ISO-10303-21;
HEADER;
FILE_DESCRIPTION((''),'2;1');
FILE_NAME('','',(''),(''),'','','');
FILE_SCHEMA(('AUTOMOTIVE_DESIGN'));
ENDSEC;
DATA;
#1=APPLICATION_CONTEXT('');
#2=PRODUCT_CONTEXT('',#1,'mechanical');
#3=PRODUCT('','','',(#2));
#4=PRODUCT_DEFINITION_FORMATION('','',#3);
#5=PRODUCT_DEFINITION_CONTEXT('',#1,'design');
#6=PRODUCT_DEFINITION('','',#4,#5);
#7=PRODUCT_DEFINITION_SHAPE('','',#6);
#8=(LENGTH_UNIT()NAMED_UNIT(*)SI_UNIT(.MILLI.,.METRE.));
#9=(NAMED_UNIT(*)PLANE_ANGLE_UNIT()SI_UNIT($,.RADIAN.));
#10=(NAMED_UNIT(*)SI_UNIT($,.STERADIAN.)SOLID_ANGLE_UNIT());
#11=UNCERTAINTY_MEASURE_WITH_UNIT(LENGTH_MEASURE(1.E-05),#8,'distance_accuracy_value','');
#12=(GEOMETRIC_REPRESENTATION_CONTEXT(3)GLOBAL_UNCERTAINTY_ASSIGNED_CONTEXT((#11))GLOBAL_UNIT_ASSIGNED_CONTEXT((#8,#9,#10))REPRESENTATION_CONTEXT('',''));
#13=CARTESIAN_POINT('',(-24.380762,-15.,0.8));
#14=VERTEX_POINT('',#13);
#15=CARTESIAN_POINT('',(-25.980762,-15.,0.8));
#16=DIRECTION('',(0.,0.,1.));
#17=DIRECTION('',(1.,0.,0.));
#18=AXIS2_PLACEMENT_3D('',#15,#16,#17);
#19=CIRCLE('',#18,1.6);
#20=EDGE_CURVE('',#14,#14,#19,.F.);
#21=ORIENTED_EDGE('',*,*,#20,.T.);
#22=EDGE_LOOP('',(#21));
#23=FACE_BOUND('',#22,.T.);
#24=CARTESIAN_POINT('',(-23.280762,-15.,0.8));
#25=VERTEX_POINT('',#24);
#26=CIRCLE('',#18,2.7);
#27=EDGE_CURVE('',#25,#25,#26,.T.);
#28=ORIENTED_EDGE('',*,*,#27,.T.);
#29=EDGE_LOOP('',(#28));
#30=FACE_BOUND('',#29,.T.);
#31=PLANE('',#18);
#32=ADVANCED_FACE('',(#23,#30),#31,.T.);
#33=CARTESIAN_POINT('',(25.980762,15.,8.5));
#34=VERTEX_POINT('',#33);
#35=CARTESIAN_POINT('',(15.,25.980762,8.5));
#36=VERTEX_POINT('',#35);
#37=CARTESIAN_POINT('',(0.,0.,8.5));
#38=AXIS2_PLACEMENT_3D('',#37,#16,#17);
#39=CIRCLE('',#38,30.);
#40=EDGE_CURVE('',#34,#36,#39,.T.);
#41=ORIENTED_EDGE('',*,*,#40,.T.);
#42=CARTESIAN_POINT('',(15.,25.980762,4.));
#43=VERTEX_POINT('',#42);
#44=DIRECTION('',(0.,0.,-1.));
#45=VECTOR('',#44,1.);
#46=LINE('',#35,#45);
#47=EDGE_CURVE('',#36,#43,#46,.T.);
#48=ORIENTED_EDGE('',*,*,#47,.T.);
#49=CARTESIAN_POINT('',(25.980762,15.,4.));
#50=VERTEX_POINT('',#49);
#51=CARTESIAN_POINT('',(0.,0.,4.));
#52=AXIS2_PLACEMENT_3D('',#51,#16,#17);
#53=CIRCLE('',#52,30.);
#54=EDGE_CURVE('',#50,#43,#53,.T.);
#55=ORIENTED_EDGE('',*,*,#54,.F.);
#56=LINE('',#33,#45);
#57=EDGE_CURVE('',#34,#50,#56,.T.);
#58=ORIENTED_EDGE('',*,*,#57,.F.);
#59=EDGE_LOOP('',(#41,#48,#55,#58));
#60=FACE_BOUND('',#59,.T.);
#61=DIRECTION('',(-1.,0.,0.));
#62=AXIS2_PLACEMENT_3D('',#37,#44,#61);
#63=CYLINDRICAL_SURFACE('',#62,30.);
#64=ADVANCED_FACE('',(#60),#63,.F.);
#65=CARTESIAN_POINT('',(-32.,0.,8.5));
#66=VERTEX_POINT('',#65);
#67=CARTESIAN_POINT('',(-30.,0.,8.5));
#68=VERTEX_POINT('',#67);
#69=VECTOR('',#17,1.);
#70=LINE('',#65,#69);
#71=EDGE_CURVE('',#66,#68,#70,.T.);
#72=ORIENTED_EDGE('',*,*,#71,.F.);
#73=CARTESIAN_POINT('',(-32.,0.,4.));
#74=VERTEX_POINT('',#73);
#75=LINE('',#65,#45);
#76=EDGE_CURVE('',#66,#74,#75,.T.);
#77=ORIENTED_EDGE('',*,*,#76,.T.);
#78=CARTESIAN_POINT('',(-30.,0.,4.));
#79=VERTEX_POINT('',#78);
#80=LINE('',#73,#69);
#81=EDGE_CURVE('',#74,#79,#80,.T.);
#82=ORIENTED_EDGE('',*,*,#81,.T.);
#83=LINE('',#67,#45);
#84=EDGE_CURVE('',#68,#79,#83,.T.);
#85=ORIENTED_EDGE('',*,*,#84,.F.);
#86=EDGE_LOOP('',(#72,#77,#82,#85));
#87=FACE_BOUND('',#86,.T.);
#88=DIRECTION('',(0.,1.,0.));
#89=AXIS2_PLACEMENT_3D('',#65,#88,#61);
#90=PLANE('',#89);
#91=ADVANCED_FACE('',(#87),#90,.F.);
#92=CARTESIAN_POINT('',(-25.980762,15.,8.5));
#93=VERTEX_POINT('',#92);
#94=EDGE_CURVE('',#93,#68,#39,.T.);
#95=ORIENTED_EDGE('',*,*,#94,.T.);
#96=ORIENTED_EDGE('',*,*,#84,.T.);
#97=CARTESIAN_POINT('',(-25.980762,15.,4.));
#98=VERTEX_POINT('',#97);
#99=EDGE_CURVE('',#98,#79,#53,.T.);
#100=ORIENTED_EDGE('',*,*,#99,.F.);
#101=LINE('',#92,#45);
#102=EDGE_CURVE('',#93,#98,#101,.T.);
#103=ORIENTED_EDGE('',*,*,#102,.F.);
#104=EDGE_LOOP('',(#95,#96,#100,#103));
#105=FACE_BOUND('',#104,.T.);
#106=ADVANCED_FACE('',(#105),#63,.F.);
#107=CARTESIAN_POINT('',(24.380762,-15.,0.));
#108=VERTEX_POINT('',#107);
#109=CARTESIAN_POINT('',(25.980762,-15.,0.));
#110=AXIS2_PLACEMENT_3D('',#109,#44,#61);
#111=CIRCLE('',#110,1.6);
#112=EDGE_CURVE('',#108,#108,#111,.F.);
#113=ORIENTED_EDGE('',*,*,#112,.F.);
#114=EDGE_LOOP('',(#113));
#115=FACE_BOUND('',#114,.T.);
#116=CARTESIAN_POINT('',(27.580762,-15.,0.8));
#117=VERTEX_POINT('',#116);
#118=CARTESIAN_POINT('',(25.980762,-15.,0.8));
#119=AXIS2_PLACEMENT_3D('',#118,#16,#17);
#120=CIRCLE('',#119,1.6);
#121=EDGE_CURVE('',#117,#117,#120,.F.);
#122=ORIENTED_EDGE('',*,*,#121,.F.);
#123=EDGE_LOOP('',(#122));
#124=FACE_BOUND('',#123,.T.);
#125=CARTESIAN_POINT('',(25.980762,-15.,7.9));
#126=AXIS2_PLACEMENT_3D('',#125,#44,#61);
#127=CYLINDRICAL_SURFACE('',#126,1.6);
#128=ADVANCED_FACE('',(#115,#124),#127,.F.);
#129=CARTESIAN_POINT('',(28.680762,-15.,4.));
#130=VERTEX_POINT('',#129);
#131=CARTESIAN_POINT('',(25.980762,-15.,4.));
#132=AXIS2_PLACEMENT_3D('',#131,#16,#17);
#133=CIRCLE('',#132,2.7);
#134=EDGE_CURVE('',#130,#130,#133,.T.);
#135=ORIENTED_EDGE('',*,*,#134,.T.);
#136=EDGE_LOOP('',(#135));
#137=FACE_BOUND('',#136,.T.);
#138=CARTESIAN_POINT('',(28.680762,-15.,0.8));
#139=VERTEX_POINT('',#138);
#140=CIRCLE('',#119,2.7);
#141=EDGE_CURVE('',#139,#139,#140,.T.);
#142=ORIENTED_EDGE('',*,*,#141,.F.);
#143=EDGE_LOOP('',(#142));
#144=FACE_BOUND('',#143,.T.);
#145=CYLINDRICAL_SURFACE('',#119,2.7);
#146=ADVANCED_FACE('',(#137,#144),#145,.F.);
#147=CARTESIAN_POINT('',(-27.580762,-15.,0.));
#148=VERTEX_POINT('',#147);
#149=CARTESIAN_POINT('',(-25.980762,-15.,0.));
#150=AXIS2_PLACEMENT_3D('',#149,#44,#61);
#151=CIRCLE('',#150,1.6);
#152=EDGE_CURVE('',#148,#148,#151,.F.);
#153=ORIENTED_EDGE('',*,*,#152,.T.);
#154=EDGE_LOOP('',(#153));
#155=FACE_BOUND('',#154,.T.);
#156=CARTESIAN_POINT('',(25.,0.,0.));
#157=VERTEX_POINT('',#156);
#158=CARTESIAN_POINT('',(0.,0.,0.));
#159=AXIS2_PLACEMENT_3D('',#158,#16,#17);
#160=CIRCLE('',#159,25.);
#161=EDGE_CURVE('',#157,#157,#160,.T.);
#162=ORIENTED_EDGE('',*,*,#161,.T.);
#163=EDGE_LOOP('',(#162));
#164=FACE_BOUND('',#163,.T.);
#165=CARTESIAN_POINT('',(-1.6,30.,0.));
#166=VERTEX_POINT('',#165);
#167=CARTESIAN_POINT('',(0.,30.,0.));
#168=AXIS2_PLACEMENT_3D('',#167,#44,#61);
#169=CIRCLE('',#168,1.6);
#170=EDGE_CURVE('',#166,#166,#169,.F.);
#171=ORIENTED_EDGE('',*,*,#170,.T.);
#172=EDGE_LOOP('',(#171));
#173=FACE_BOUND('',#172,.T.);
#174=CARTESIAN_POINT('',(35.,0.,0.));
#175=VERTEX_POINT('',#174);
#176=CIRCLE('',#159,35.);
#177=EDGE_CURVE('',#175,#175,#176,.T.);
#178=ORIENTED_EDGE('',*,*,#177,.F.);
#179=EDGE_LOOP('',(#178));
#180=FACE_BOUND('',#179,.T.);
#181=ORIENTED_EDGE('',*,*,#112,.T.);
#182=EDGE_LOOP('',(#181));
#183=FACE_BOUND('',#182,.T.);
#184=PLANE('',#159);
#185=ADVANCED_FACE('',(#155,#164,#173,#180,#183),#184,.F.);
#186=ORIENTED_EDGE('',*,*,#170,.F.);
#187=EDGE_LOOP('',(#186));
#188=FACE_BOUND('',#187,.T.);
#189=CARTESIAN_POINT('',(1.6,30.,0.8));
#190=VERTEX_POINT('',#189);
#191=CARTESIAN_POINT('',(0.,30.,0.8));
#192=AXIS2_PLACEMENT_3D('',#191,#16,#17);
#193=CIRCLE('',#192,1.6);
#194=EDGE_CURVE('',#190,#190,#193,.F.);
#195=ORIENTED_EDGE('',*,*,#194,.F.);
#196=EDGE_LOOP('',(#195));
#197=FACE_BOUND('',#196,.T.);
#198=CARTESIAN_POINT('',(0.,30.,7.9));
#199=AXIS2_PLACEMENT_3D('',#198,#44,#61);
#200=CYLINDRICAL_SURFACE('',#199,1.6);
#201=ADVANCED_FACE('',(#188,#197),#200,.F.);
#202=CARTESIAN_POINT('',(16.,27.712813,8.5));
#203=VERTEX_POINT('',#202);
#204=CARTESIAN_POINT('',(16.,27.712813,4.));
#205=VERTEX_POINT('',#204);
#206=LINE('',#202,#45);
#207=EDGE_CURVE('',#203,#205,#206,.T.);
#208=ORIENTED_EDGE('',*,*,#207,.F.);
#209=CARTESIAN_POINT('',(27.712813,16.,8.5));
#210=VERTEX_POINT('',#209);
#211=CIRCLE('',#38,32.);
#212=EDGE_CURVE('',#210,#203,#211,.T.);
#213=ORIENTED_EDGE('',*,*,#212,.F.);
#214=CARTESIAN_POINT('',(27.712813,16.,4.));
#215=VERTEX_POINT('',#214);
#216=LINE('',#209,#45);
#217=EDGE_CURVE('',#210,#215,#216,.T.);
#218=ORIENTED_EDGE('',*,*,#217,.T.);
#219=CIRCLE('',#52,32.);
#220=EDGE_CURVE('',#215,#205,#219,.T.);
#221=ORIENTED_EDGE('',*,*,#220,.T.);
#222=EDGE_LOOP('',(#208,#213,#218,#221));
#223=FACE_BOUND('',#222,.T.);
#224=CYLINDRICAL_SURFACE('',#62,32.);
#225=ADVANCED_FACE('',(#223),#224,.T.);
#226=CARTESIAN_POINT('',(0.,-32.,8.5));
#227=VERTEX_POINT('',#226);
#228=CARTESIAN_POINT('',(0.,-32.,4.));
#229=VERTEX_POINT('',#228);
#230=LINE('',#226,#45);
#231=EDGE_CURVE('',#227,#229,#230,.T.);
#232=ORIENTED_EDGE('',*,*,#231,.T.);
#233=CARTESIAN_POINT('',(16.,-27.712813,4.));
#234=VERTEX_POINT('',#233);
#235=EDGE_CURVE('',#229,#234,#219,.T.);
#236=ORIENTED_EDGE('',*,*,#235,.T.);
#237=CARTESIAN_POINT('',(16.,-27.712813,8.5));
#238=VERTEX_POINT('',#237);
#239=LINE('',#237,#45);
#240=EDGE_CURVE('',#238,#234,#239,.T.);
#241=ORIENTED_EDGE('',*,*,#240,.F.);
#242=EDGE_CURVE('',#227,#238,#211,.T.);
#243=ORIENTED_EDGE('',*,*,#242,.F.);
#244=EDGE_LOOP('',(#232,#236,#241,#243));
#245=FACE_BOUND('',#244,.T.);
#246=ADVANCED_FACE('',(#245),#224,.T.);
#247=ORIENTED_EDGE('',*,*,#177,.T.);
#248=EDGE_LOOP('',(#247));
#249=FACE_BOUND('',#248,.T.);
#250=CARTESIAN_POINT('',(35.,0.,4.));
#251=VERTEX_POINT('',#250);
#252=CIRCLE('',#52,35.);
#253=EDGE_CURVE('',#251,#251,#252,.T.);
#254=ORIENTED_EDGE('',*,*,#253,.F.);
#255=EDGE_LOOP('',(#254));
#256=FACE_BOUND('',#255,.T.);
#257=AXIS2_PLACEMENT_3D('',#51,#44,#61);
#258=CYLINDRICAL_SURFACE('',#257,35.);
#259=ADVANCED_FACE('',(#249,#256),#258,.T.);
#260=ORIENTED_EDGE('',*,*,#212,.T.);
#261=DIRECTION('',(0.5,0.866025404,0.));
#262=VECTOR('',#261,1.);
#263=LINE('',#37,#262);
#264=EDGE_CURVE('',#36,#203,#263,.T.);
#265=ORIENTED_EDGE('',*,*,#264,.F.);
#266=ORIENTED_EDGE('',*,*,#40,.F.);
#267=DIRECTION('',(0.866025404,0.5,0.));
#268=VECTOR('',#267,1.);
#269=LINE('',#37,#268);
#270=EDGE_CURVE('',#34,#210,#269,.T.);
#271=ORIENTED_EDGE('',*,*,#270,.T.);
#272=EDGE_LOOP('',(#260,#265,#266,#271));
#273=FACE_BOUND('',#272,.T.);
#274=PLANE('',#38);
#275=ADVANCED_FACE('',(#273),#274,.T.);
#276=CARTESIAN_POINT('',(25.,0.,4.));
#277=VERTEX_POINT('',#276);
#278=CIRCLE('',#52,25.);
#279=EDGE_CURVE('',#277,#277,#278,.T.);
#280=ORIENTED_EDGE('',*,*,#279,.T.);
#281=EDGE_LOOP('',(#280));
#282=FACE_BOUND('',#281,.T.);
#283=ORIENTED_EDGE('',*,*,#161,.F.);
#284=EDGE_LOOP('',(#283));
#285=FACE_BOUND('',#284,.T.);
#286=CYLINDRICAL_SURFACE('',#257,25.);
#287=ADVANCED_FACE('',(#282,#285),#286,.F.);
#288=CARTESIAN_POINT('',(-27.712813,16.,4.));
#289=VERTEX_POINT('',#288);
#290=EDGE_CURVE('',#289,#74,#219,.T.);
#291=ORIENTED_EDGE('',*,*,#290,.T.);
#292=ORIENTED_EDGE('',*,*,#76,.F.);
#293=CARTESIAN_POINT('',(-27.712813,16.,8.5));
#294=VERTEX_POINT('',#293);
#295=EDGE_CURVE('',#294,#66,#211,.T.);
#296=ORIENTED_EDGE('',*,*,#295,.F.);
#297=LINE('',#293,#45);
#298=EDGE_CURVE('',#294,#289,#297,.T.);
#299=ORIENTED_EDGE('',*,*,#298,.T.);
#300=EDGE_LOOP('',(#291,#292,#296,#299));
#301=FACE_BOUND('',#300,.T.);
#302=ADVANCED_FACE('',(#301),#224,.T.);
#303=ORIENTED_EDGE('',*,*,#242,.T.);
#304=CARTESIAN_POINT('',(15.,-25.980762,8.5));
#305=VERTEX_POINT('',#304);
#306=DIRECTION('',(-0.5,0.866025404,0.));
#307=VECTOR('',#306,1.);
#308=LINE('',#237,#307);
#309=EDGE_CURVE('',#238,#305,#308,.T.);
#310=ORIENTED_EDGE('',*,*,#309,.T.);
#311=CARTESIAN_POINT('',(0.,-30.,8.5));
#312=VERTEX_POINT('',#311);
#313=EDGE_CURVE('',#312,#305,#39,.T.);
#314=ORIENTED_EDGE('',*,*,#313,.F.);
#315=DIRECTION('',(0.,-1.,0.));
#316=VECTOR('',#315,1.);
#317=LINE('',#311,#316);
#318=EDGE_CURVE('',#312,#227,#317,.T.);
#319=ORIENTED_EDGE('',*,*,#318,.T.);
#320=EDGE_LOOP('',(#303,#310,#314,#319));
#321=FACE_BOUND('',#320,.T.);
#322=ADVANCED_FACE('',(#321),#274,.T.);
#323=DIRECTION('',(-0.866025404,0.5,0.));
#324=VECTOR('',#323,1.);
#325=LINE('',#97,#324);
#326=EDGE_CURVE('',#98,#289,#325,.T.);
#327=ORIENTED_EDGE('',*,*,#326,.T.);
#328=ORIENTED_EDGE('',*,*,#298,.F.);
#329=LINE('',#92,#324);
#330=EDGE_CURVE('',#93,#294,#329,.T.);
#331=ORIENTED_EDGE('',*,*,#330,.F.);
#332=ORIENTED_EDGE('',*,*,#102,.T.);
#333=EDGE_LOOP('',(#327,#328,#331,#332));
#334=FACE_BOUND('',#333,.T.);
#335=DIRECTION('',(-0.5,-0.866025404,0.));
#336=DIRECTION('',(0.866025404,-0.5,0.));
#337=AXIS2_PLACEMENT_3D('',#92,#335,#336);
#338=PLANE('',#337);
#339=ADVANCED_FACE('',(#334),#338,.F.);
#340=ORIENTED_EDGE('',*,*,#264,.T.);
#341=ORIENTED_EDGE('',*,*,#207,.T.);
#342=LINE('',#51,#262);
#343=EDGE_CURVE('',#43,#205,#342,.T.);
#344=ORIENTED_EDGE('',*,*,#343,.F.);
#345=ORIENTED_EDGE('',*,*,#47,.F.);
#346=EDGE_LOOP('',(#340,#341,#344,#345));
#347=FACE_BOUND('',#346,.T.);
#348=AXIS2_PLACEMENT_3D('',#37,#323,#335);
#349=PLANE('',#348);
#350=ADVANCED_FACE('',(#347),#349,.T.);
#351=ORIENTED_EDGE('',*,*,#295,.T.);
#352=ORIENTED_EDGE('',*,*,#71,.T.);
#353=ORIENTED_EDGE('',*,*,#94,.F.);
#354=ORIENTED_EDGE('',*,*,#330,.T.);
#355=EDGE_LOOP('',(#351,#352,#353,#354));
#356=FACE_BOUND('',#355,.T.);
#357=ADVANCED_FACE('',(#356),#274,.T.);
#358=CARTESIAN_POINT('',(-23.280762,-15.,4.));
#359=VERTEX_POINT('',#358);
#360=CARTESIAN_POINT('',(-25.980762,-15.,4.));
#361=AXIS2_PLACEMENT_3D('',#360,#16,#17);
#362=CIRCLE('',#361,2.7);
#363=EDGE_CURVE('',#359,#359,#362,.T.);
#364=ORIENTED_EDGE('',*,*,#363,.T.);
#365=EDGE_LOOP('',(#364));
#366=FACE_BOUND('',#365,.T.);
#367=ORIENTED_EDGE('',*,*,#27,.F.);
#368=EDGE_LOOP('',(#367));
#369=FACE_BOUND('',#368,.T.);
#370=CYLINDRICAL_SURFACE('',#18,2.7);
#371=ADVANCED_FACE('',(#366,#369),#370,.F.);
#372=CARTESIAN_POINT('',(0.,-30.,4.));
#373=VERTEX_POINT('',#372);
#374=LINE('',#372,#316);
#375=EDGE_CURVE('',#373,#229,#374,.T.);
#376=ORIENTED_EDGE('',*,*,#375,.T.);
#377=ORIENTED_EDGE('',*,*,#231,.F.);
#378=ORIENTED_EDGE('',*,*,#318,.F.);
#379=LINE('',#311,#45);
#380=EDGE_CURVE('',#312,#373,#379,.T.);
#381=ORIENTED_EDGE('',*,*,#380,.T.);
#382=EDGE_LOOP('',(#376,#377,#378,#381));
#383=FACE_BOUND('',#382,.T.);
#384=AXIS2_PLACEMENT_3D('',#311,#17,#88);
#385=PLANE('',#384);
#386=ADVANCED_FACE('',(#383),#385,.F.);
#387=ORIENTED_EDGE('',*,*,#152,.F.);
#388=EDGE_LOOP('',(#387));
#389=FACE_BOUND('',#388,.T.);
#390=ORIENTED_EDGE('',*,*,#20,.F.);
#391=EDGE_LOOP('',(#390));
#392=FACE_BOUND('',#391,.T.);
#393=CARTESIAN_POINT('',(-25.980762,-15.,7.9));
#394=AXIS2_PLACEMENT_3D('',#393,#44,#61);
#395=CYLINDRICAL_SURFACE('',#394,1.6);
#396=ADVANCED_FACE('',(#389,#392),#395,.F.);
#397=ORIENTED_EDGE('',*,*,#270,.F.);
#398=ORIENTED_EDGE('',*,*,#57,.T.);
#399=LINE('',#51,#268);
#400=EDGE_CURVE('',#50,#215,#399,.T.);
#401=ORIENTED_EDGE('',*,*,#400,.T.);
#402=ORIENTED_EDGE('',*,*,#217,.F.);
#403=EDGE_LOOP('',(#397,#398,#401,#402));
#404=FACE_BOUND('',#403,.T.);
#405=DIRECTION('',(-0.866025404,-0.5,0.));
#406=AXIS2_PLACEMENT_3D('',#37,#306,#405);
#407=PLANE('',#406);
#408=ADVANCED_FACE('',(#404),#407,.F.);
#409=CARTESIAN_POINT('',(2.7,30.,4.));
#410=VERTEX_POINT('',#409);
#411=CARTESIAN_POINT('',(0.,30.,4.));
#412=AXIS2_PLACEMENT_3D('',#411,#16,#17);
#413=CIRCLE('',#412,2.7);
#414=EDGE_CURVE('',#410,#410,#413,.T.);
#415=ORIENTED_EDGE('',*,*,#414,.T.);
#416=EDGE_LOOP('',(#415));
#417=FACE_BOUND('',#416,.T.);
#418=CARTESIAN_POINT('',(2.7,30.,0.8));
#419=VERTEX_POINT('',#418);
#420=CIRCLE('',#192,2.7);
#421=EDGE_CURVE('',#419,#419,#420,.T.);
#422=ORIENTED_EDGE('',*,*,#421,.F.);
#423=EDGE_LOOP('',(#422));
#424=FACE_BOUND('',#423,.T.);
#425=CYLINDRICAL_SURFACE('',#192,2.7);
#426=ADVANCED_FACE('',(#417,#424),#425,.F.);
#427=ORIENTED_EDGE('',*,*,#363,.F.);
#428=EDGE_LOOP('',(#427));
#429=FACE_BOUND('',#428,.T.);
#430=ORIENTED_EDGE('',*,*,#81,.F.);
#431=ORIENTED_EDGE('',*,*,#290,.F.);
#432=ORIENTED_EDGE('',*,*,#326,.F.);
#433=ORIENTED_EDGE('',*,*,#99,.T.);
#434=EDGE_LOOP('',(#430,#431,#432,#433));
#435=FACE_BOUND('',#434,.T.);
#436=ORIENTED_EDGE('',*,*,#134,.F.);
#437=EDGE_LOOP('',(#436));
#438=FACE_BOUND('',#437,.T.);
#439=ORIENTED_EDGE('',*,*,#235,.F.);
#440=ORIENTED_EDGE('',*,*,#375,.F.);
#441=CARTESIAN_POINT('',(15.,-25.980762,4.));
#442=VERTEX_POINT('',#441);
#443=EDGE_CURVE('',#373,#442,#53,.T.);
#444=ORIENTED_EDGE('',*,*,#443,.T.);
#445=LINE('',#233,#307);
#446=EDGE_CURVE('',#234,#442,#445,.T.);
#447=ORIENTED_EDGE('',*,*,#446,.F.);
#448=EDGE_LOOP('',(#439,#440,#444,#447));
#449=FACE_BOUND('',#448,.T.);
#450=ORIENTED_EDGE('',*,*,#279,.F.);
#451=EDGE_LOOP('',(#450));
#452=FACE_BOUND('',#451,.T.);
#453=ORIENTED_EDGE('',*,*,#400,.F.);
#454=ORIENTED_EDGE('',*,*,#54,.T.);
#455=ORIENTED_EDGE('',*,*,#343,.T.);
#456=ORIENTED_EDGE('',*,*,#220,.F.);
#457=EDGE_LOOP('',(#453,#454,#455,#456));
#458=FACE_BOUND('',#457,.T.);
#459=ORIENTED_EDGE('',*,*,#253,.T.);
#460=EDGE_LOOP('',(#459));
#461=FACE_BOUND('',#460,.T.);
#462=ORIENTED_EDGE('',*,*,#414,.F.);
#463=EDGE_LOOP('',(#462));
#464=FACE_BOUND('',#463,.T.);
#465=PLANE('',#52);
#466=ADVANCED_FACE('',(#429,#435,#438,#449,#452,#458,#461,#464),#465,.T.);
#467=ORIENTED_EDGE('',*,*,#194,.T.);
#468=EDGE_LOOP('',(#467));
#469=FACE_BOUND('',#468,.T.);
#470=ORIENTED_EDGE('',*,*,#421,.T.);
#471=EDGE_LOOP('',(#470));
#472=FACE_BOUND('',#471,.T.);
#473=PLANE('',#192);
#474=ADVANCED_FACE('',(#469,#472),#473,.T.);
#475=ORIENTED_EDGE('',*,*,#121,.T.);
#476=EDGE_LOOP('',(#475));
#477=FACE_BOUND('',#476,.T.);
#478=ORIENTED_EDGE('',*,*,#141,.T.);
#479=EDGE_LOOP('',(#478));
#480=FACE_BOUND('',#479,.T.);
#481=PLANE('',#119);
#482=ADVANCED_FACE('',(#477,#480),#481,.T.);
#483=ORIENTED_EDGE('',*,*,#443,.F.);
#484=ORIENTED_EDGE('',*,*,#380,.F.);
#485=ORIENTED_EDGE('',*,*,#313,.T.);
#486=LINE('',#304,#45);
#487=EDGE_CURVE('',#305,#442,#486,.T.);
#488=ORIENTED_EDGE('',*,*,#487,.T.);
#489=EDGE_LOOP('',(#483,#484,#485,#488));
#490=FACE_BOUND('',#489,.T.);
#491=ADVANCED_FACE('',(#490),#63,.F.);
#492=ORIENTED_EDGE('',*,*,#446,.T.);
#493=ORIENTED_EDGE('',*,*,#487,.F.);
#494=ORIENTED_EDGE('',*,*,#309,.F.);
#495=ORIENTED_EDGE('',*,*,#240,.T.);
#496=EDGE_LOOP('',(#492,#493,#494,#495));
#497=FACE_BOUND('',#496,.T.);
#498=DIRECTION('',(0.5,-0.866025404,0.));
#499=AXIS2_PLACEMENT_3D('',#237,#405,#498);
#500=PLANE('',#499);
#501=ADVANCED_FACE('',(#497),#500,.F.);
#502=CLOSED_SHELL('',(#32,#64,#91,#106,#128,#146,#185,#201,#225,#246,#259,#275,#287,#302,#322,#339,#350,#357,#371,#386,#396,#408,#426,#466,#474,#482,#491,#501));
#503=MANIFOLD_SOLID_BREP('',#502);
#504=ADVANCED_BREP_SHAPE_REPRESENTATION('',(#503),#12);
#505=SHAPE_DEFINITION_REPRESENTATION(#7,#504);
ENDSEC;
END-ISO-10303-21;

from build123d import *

# Parameters (mm, degrees)
SKETCH1_R           = 35
SKETCH1_R_2         = 30
SKETCH1_R_3         = 25
BOSS_EXTRUDE1_DEPTH = 4
SKETCH2_R           = 3.9
BOSS_EXTRUDE2_DEPTH = 7.1
SKETCH3_R           = 1.6
CUT_EXTRUDE1_DEPTH  = 15
SKETCH4_R           = 2.7
CUT_EXTRUDE2_DEPTH  = 3.2
BOSS_EXTRUDE3_DEPTH = 4.5
BOSS_EXTRUDE4_DEPTH = 4.5
SKETCH8_R           = 3.9
CUT_EXTRUDE3_DEPTH  = 12.5


with BuildPart() as part:
    # Sketch1 → Boss-Extrude1 (new body)
    with BuildSketch(Plane.XY):
        Circle(SKETCH1_R)
        Circle(SKETCH1_R_2, mode=Mode.SUBTRACT)
        Circle(SKETCH1_R_2)
        Circle(SKETCH1_R_3, mode=Mode.SUBTRACT)
    extrude(amount=BOSS_EXTRUDE1_DEPTH)

    # Sketch2 → Boss-Extrude2 (add)
    with BuildSketch(Plane(origin=(0, 0, 0), x_dir=(-1, 0, 0), z_dir=(0, 0, -1))):
        with Locations((0, 30)):
            Circle(SKETCH2_R)
        with Locations((25.980762114, -15)):
            Circle(SKETCH2_R)
        with Locations((-25.980762114, -15)):
            Circle(SKETCH2_R)
    extrude(amount=BOSS_EXTRUDE2_DEPTH)

    # Sketch3 → Cut-Extrude1 (cut)
    with BuildSketch(Plane(origin=(0, 0, -7.1), x_dir=(-1, 0, 0), z_dir=(0, 0, -1))):
        with Locations((0, 30)):
            Circle(SKETCH3_R)
        with Locations((25.980762114, -15)):
            Circle(SKETCH3_R)
        with Locations((-25.980762114, -15)):
            Circle(SKETCH3_R)
    extrude(amount=-CUT_EXTRUDE1_DEPTH, mode=Mode.SUBTRACT)

    # Sketch4 → Cut-Extrude2 (cut)
    with BuildSketch(Plane.XY.offset(4)):
        with Locations((0, 30)):
            Circle(SKETCH4_R)
        with Locations((25.980762114, -15)):
            Circle(SKETCH4_R)
        with Locations((-25.980762114, -15)):
            Circle(SKETCH4_R)
    extrude(amount=-CUT_EXTRUDE2_DEPTH, mode=Mode.SUBTRACT)

    # Sketch6 → Boss-Extrude3 (add)
    with BuildSketch(Plane.XY.offset(4)):
        with BuildLine():
            Line((25.980762114, 15), (27.712812921, 16))
            ThreePointArc((27.712812921, 16), (22.627416998, 22.627416998), (16, 27.712812921))
            Line((16, 27.712812921), (15, 25.980762114))
            ThreePointArc((15, 25.980762114), (21.213203436, 21.213203436), (25.980762114, 15))
        make_face()
    extrude(amount=BOSS_EXTRUDE3_DEPTH)

    # Sketch7 → Boss-Extrude4 (add)
    with BuildSketch(Plane.XY.offset(4)):
        with BuildLine():
            Line((16, -27.712812921), (15, -25.980762114))
            ThreePointArc((15, -25.980762114), (7.764571353, -28.977774789), (0, -30))
            Line((0, -30), (0, -32))
            ThreePointArc((0, -32), (8.282209443, -30.909626441), (16, -27.712812921))
        make_face()
        with BuildLine():
            Line((25.980762114, 15), (27.712812921, 16))
            ThreePointArc((27.712812921, 16), (22.627416998, 22.627416998), (16, 27.712812921))
            Line((16, 27.712812921), (15, 25.980762114))
            ThreePointArc((15, 25.980762114), (21.213203436, 21.213203436), (25.980762114, 15))
        make_face()
        with BuildLine():
            Line((-32, 0), (-30, 0))
            ThreePointArc((-30, 0), (-28.977774789, 7.764571353), (-25.980762114, 15))
            Line((-25.980762114, 15), (-27.712812921, 16))
            ThreePointArc((-27.712812921, 16), (-30.909626441, 8.282209443), (-32, 0))
        make_face()
    extrude(amount=BOSS_EXTRUDE4_DEPTH)

    # Sketch8 → Cut-Extrude3 (cut)
    with BuildSketch(Plane(origin=(0, 0, 0), x_dir=(-1, 0, 0), z_dir=(0, 0, -1))):
        with Locations((0, 30)):
            Circle(SKETCH8_R)
        with Locations((25.980762114, -15)):
            Circle(SKETCH8_R)
        with Locations((-25.980762114, -15)):
            Circle(SKETCH8_R)
    extrude(amount=CUT_EXTRUDE3_DEPTH, mode=Mode.SUBTRACT)


solid = part.part
